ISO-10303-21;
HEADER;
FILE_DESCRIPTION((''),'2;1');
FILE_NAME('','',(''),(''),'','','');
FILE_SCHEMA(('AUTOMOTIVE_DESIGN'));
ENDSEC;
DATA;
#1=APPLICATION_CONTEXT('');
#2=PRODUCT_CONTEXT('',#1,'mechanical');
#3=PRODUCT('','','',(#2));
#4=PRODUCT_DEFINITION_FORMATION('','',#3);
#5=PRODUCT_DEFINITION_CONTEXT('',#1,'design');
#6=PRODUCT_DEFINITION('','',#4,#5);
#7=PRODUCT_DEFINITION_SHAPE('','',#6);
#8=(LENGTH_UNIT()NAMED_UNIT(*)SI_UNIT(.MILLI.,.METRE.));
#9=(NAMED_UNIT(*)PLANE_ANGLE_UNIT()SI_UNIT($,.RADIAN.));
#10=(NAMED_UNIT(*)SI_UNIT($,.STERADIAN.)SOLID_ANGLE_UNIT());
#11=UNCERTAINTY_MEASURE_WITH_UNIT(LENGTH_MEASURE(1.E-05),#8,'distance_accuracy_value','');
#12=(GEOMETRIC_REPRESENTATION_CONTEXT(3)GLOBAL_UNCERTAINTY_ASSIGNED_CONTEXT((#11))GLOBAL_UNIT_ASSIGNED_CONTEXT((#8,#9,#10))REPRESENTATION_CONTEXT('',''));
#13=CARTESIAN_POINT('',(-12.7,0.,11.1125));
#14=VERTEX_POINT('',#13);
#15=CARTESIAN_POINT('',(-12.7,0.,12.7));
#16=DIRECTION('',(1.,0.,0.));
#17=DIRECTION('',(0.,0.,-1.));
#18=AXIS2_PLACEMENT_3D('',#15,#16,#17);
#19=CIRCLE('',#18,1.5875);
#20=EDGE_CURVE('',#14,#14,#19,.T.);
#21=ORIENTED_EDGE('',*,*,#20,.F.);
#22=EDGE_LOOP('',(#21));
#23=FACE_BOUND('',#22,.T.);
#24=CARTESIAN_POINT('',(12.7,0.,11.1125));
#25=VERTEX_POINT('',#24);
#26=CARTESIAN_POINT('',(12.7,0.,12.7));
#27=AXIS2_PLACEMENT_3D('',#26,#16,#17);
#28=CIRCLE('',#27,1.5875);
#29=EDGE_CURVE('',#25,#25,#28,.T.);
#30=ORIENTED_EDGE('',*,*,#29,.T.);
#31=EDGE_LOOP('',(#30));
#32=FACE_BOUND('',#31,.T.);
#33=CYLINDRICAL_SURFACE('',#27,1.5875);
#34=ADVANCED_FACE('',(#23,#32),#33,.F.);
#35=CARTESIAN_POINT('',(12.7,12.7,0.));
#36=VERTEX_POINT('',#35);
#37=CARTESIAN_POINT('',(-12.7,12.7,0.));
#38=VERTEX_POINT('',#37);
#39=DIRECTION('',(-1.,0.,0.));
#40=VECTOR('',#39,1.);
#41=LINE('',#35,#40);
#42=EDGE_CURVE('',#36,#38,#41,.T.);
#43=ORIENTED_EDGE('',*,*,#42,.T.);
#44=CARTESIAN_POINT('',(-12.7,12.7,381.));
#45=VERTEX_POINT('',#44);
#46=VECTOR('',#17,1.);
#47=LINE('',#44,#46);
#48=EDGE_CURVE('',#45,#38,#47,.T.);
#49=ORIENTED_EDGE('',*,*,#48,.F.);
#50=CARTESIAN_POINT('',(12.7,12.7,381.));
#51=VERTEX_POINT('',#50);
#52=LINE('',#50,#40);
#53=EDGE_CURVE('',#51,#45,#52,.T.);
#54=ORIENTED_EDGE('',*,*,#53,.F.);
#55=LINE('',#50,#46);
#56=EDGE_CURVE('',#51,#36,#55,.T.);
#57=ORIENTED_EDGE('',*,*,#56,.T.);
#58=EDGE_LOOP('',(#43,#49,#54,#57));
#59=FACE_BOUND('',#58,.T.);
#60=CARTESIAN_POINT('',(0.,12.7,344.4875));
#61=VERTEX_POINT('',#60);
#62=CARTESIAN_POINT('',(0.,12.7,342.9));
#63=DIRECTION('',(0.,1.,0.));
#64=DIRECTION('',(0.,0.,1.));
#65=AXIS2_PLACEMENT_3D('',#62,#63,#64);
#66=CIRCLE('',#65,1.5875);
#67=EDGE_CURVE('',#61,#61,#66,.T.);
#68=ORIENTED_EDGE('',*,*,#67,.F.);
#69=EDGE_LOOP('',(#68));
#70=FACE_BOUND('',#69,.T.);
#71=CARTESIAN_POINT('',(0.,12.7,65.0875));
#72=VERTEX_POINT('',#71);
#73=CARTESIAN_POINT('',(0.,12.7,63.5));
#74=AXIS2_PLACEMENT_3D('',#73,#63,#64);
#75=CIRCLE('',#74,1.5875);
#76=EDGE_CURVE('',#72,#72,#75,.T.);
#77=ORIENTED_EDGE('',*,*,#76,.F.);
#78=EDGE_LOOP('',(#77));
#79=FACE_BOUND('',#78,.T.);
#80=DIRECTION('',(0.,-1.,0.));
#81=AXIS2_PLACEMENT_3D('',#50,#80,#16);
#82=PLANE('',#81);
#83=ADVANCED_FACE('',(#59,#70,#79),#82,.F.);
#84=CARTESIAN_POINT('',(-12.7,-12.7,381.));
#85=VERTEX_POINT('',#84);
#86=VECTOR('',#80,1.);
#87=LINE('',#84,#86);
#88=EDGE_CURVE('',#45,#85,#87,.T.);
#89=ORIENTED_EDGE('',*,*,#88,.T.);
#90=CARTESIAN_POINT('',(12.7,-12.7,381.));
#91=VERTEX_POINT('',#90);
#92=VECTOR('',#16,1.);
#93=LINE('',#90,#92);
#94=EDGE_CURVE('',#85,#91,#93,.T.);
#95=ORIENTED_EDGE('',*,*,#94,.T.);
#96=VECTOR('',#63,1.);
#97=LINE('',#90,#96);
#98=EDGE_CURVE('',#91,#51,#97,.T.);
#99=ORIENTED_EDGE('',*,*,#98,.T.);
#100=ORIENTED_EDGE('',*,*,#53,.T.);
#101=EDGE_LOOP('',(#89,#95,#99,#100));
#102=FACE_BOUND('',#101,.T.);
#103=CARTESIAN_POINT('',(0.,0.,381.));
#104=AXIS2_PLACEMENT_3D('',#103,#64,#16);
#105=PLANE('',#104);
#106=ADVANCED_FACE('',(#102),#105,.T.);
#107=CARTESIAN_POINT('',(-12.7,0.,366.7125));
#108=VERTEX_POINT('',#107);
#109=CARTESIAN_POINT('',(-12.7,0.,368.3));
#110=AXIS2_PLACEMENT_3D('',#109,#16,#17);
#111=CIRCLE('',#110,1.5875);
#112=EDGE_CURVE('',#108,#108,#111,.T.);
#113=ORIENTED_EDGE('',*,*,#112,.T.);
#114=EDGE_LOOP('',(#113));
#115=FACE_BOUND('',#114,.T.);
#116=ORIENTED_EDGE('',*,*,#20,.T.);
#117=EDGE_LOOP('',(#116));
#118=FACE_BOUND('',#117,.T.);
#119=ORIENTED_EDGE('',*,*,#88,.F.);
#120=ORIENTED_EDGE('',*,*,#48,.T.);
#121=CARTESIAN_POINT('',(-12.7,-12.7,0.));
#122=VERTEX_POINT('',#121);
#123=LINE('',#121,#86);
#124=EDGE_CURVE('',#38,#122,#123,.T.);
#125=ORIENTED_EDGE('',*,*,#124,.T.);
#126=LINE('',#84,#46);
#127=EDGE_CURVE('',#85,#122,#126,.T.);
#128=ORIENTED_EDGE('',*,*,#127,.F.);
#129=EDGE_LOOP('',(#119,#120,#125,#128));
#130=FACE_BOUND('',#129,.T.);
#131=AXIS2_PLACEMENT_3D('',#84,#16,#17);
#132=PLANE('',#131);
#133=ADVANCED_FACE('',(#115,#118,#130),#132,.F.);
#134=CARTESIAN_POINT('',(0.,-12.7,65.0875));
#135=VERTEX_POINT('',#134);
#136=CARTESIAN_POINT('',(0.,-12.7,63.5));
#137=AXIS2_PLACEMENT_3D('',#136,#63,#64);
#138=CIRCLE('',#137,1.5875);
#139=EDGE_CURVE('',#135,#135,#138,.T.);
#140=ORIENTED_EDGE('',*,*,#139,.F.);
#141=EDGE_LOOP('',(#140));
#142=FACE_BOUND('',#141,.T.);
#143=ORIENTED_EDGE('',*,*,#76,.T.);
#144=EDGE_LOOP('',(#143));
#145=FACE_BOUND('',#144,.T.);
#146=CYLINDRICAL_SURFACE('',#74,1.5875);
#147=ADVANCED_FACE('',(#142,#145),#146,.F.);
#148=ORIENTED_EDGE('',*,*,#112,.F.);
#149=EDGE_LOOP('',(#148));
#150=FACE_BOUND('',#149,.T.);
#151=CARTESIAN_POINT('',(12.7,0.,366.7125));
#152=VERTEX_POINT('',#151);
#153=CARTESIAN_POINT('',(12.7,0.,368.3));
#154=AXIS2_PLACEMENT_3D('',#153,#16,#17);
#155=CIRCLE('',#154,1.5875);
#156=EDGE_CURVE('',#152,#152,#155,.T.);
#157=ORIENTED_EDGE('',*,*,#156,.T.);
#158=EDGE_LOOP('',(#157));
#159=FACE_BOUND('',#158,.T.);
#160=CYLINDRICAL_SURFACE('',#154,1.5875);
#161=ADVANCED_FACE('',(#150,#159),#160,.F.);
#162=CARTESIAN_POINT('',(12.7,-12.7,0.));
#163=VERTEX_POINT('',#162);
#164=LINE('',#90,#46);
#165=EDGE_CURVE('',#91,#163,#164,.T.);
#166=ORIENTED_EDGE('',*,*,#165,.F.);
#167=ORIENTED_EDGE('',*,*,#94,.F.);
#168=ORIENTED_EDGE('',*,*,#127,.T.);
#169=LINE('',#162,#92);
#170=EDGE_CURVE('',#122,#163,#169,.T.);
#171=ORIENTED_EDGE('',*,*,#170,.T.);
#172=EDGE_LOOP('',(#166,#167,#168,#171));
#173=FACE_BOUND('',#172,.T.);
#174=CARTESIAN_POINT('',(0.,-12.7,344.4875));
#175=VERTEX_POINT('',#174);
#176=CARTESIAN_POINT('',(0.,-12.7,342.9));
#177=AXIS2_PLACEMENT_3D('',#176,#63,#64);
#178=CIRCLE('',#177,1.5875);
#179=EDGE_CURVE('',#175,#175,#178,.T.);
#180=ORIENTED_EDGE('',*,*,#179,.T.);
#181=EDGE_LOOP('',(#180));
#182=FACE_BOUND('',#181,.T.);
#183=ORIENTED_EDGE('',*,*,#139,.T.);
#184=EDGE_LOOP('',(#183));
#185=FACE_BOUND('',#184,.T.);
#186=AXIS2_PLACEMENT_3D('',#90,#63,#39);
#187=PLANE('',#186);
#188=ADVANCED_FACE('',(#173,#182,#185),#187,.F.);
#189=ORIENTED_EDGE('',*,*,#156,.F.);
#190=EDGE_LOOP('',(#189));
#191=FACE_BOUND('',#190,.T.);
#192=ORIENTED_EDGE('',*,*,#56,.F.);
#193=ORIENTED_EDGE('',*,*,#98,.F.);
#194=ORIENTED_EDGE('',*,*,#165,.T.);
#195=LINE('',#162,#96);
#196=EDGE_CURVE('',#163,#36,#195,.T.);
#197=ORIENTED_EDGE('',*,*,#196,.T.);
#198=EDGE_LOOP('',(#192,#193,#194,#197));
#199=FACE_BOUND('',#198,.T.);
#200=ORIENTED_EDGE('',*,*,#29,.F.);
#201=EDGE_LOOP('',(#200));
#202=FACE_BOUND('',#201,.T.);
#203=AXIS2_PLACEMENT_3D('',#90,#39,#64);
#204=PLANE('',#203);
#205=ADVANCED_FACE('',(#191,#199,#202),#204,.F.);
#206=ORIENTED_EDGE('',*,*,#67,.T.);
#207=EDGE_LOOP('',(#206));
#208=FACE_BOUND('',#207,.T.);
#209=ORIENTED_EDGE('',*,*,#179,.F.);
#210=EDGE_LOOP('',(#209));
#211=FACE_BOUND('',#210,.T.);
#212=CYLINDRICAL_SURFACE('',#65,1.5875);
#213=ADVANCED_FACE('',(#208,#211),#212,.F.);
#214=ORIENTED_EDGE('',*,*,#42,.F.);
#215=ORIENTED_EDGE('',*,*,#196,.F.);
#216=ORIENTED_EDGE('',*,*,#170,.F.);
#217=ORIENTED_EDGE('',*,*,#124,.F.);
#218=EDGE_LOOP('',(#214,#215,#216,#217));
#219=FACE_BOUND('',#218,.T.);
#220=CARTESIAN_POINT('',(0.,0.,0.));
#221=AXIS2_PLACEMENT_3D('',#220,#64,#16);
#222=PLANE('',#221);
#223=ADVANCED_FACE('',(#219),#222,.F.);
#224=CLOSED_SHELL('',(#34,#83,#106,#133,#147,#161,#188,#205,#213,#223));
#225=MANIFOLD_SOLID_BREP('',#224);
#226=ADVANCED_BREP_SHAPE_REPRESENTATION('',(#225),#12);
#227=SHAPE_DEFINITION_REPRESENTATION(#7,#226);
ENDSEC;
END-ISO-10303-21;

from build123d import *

# Parameters (mm, degrees)
SKETCH6_W                    = 25.4
SKETCH6_H                    = 25.4
BOSS_EXTRUDE1_DEPTH          = 381
F_1_8_0_125_DIAMETER_HOLE2_D = 3.175
F_1_8_0_125_DIAMETER_HOLE3_D = 3.175


with BuildPart() as part:
    # Sketch6 → Boss-Extrude1 (new body)
    with BuildSketch(Plane.XY):
        Rectangle(SKETCH6_W, SKETCH6_H)
    extrude(amount=BOSS_EXTRUDE1_DEPTH)

    # 1/8 (0.125) Diameter Hole2 (through all)
    with Locations(Plane(origin=(12.7, 0, 0), x_dir=(0, 0, -1), z_dir=(1, 0, 0))):
        with Locations((-12.7, 0), (-368.3, 0)):
            Hole(F_1_8_0_125_DIAMETER_HOLE2_D / 2)

    # 1/8 (0.125) Diameter Hole3 (through all)
    with Locations(Plane(origin=(0, 12.7, 0), x_dir=(1, 0, 0), z_dir=(0, 1, 0))):
        with Locations((0, -63.5), (0, -342.9)):
            Hole(F_1_8_0_125_DIAMETER_HOLE3_D / 2)


solid = part.part
